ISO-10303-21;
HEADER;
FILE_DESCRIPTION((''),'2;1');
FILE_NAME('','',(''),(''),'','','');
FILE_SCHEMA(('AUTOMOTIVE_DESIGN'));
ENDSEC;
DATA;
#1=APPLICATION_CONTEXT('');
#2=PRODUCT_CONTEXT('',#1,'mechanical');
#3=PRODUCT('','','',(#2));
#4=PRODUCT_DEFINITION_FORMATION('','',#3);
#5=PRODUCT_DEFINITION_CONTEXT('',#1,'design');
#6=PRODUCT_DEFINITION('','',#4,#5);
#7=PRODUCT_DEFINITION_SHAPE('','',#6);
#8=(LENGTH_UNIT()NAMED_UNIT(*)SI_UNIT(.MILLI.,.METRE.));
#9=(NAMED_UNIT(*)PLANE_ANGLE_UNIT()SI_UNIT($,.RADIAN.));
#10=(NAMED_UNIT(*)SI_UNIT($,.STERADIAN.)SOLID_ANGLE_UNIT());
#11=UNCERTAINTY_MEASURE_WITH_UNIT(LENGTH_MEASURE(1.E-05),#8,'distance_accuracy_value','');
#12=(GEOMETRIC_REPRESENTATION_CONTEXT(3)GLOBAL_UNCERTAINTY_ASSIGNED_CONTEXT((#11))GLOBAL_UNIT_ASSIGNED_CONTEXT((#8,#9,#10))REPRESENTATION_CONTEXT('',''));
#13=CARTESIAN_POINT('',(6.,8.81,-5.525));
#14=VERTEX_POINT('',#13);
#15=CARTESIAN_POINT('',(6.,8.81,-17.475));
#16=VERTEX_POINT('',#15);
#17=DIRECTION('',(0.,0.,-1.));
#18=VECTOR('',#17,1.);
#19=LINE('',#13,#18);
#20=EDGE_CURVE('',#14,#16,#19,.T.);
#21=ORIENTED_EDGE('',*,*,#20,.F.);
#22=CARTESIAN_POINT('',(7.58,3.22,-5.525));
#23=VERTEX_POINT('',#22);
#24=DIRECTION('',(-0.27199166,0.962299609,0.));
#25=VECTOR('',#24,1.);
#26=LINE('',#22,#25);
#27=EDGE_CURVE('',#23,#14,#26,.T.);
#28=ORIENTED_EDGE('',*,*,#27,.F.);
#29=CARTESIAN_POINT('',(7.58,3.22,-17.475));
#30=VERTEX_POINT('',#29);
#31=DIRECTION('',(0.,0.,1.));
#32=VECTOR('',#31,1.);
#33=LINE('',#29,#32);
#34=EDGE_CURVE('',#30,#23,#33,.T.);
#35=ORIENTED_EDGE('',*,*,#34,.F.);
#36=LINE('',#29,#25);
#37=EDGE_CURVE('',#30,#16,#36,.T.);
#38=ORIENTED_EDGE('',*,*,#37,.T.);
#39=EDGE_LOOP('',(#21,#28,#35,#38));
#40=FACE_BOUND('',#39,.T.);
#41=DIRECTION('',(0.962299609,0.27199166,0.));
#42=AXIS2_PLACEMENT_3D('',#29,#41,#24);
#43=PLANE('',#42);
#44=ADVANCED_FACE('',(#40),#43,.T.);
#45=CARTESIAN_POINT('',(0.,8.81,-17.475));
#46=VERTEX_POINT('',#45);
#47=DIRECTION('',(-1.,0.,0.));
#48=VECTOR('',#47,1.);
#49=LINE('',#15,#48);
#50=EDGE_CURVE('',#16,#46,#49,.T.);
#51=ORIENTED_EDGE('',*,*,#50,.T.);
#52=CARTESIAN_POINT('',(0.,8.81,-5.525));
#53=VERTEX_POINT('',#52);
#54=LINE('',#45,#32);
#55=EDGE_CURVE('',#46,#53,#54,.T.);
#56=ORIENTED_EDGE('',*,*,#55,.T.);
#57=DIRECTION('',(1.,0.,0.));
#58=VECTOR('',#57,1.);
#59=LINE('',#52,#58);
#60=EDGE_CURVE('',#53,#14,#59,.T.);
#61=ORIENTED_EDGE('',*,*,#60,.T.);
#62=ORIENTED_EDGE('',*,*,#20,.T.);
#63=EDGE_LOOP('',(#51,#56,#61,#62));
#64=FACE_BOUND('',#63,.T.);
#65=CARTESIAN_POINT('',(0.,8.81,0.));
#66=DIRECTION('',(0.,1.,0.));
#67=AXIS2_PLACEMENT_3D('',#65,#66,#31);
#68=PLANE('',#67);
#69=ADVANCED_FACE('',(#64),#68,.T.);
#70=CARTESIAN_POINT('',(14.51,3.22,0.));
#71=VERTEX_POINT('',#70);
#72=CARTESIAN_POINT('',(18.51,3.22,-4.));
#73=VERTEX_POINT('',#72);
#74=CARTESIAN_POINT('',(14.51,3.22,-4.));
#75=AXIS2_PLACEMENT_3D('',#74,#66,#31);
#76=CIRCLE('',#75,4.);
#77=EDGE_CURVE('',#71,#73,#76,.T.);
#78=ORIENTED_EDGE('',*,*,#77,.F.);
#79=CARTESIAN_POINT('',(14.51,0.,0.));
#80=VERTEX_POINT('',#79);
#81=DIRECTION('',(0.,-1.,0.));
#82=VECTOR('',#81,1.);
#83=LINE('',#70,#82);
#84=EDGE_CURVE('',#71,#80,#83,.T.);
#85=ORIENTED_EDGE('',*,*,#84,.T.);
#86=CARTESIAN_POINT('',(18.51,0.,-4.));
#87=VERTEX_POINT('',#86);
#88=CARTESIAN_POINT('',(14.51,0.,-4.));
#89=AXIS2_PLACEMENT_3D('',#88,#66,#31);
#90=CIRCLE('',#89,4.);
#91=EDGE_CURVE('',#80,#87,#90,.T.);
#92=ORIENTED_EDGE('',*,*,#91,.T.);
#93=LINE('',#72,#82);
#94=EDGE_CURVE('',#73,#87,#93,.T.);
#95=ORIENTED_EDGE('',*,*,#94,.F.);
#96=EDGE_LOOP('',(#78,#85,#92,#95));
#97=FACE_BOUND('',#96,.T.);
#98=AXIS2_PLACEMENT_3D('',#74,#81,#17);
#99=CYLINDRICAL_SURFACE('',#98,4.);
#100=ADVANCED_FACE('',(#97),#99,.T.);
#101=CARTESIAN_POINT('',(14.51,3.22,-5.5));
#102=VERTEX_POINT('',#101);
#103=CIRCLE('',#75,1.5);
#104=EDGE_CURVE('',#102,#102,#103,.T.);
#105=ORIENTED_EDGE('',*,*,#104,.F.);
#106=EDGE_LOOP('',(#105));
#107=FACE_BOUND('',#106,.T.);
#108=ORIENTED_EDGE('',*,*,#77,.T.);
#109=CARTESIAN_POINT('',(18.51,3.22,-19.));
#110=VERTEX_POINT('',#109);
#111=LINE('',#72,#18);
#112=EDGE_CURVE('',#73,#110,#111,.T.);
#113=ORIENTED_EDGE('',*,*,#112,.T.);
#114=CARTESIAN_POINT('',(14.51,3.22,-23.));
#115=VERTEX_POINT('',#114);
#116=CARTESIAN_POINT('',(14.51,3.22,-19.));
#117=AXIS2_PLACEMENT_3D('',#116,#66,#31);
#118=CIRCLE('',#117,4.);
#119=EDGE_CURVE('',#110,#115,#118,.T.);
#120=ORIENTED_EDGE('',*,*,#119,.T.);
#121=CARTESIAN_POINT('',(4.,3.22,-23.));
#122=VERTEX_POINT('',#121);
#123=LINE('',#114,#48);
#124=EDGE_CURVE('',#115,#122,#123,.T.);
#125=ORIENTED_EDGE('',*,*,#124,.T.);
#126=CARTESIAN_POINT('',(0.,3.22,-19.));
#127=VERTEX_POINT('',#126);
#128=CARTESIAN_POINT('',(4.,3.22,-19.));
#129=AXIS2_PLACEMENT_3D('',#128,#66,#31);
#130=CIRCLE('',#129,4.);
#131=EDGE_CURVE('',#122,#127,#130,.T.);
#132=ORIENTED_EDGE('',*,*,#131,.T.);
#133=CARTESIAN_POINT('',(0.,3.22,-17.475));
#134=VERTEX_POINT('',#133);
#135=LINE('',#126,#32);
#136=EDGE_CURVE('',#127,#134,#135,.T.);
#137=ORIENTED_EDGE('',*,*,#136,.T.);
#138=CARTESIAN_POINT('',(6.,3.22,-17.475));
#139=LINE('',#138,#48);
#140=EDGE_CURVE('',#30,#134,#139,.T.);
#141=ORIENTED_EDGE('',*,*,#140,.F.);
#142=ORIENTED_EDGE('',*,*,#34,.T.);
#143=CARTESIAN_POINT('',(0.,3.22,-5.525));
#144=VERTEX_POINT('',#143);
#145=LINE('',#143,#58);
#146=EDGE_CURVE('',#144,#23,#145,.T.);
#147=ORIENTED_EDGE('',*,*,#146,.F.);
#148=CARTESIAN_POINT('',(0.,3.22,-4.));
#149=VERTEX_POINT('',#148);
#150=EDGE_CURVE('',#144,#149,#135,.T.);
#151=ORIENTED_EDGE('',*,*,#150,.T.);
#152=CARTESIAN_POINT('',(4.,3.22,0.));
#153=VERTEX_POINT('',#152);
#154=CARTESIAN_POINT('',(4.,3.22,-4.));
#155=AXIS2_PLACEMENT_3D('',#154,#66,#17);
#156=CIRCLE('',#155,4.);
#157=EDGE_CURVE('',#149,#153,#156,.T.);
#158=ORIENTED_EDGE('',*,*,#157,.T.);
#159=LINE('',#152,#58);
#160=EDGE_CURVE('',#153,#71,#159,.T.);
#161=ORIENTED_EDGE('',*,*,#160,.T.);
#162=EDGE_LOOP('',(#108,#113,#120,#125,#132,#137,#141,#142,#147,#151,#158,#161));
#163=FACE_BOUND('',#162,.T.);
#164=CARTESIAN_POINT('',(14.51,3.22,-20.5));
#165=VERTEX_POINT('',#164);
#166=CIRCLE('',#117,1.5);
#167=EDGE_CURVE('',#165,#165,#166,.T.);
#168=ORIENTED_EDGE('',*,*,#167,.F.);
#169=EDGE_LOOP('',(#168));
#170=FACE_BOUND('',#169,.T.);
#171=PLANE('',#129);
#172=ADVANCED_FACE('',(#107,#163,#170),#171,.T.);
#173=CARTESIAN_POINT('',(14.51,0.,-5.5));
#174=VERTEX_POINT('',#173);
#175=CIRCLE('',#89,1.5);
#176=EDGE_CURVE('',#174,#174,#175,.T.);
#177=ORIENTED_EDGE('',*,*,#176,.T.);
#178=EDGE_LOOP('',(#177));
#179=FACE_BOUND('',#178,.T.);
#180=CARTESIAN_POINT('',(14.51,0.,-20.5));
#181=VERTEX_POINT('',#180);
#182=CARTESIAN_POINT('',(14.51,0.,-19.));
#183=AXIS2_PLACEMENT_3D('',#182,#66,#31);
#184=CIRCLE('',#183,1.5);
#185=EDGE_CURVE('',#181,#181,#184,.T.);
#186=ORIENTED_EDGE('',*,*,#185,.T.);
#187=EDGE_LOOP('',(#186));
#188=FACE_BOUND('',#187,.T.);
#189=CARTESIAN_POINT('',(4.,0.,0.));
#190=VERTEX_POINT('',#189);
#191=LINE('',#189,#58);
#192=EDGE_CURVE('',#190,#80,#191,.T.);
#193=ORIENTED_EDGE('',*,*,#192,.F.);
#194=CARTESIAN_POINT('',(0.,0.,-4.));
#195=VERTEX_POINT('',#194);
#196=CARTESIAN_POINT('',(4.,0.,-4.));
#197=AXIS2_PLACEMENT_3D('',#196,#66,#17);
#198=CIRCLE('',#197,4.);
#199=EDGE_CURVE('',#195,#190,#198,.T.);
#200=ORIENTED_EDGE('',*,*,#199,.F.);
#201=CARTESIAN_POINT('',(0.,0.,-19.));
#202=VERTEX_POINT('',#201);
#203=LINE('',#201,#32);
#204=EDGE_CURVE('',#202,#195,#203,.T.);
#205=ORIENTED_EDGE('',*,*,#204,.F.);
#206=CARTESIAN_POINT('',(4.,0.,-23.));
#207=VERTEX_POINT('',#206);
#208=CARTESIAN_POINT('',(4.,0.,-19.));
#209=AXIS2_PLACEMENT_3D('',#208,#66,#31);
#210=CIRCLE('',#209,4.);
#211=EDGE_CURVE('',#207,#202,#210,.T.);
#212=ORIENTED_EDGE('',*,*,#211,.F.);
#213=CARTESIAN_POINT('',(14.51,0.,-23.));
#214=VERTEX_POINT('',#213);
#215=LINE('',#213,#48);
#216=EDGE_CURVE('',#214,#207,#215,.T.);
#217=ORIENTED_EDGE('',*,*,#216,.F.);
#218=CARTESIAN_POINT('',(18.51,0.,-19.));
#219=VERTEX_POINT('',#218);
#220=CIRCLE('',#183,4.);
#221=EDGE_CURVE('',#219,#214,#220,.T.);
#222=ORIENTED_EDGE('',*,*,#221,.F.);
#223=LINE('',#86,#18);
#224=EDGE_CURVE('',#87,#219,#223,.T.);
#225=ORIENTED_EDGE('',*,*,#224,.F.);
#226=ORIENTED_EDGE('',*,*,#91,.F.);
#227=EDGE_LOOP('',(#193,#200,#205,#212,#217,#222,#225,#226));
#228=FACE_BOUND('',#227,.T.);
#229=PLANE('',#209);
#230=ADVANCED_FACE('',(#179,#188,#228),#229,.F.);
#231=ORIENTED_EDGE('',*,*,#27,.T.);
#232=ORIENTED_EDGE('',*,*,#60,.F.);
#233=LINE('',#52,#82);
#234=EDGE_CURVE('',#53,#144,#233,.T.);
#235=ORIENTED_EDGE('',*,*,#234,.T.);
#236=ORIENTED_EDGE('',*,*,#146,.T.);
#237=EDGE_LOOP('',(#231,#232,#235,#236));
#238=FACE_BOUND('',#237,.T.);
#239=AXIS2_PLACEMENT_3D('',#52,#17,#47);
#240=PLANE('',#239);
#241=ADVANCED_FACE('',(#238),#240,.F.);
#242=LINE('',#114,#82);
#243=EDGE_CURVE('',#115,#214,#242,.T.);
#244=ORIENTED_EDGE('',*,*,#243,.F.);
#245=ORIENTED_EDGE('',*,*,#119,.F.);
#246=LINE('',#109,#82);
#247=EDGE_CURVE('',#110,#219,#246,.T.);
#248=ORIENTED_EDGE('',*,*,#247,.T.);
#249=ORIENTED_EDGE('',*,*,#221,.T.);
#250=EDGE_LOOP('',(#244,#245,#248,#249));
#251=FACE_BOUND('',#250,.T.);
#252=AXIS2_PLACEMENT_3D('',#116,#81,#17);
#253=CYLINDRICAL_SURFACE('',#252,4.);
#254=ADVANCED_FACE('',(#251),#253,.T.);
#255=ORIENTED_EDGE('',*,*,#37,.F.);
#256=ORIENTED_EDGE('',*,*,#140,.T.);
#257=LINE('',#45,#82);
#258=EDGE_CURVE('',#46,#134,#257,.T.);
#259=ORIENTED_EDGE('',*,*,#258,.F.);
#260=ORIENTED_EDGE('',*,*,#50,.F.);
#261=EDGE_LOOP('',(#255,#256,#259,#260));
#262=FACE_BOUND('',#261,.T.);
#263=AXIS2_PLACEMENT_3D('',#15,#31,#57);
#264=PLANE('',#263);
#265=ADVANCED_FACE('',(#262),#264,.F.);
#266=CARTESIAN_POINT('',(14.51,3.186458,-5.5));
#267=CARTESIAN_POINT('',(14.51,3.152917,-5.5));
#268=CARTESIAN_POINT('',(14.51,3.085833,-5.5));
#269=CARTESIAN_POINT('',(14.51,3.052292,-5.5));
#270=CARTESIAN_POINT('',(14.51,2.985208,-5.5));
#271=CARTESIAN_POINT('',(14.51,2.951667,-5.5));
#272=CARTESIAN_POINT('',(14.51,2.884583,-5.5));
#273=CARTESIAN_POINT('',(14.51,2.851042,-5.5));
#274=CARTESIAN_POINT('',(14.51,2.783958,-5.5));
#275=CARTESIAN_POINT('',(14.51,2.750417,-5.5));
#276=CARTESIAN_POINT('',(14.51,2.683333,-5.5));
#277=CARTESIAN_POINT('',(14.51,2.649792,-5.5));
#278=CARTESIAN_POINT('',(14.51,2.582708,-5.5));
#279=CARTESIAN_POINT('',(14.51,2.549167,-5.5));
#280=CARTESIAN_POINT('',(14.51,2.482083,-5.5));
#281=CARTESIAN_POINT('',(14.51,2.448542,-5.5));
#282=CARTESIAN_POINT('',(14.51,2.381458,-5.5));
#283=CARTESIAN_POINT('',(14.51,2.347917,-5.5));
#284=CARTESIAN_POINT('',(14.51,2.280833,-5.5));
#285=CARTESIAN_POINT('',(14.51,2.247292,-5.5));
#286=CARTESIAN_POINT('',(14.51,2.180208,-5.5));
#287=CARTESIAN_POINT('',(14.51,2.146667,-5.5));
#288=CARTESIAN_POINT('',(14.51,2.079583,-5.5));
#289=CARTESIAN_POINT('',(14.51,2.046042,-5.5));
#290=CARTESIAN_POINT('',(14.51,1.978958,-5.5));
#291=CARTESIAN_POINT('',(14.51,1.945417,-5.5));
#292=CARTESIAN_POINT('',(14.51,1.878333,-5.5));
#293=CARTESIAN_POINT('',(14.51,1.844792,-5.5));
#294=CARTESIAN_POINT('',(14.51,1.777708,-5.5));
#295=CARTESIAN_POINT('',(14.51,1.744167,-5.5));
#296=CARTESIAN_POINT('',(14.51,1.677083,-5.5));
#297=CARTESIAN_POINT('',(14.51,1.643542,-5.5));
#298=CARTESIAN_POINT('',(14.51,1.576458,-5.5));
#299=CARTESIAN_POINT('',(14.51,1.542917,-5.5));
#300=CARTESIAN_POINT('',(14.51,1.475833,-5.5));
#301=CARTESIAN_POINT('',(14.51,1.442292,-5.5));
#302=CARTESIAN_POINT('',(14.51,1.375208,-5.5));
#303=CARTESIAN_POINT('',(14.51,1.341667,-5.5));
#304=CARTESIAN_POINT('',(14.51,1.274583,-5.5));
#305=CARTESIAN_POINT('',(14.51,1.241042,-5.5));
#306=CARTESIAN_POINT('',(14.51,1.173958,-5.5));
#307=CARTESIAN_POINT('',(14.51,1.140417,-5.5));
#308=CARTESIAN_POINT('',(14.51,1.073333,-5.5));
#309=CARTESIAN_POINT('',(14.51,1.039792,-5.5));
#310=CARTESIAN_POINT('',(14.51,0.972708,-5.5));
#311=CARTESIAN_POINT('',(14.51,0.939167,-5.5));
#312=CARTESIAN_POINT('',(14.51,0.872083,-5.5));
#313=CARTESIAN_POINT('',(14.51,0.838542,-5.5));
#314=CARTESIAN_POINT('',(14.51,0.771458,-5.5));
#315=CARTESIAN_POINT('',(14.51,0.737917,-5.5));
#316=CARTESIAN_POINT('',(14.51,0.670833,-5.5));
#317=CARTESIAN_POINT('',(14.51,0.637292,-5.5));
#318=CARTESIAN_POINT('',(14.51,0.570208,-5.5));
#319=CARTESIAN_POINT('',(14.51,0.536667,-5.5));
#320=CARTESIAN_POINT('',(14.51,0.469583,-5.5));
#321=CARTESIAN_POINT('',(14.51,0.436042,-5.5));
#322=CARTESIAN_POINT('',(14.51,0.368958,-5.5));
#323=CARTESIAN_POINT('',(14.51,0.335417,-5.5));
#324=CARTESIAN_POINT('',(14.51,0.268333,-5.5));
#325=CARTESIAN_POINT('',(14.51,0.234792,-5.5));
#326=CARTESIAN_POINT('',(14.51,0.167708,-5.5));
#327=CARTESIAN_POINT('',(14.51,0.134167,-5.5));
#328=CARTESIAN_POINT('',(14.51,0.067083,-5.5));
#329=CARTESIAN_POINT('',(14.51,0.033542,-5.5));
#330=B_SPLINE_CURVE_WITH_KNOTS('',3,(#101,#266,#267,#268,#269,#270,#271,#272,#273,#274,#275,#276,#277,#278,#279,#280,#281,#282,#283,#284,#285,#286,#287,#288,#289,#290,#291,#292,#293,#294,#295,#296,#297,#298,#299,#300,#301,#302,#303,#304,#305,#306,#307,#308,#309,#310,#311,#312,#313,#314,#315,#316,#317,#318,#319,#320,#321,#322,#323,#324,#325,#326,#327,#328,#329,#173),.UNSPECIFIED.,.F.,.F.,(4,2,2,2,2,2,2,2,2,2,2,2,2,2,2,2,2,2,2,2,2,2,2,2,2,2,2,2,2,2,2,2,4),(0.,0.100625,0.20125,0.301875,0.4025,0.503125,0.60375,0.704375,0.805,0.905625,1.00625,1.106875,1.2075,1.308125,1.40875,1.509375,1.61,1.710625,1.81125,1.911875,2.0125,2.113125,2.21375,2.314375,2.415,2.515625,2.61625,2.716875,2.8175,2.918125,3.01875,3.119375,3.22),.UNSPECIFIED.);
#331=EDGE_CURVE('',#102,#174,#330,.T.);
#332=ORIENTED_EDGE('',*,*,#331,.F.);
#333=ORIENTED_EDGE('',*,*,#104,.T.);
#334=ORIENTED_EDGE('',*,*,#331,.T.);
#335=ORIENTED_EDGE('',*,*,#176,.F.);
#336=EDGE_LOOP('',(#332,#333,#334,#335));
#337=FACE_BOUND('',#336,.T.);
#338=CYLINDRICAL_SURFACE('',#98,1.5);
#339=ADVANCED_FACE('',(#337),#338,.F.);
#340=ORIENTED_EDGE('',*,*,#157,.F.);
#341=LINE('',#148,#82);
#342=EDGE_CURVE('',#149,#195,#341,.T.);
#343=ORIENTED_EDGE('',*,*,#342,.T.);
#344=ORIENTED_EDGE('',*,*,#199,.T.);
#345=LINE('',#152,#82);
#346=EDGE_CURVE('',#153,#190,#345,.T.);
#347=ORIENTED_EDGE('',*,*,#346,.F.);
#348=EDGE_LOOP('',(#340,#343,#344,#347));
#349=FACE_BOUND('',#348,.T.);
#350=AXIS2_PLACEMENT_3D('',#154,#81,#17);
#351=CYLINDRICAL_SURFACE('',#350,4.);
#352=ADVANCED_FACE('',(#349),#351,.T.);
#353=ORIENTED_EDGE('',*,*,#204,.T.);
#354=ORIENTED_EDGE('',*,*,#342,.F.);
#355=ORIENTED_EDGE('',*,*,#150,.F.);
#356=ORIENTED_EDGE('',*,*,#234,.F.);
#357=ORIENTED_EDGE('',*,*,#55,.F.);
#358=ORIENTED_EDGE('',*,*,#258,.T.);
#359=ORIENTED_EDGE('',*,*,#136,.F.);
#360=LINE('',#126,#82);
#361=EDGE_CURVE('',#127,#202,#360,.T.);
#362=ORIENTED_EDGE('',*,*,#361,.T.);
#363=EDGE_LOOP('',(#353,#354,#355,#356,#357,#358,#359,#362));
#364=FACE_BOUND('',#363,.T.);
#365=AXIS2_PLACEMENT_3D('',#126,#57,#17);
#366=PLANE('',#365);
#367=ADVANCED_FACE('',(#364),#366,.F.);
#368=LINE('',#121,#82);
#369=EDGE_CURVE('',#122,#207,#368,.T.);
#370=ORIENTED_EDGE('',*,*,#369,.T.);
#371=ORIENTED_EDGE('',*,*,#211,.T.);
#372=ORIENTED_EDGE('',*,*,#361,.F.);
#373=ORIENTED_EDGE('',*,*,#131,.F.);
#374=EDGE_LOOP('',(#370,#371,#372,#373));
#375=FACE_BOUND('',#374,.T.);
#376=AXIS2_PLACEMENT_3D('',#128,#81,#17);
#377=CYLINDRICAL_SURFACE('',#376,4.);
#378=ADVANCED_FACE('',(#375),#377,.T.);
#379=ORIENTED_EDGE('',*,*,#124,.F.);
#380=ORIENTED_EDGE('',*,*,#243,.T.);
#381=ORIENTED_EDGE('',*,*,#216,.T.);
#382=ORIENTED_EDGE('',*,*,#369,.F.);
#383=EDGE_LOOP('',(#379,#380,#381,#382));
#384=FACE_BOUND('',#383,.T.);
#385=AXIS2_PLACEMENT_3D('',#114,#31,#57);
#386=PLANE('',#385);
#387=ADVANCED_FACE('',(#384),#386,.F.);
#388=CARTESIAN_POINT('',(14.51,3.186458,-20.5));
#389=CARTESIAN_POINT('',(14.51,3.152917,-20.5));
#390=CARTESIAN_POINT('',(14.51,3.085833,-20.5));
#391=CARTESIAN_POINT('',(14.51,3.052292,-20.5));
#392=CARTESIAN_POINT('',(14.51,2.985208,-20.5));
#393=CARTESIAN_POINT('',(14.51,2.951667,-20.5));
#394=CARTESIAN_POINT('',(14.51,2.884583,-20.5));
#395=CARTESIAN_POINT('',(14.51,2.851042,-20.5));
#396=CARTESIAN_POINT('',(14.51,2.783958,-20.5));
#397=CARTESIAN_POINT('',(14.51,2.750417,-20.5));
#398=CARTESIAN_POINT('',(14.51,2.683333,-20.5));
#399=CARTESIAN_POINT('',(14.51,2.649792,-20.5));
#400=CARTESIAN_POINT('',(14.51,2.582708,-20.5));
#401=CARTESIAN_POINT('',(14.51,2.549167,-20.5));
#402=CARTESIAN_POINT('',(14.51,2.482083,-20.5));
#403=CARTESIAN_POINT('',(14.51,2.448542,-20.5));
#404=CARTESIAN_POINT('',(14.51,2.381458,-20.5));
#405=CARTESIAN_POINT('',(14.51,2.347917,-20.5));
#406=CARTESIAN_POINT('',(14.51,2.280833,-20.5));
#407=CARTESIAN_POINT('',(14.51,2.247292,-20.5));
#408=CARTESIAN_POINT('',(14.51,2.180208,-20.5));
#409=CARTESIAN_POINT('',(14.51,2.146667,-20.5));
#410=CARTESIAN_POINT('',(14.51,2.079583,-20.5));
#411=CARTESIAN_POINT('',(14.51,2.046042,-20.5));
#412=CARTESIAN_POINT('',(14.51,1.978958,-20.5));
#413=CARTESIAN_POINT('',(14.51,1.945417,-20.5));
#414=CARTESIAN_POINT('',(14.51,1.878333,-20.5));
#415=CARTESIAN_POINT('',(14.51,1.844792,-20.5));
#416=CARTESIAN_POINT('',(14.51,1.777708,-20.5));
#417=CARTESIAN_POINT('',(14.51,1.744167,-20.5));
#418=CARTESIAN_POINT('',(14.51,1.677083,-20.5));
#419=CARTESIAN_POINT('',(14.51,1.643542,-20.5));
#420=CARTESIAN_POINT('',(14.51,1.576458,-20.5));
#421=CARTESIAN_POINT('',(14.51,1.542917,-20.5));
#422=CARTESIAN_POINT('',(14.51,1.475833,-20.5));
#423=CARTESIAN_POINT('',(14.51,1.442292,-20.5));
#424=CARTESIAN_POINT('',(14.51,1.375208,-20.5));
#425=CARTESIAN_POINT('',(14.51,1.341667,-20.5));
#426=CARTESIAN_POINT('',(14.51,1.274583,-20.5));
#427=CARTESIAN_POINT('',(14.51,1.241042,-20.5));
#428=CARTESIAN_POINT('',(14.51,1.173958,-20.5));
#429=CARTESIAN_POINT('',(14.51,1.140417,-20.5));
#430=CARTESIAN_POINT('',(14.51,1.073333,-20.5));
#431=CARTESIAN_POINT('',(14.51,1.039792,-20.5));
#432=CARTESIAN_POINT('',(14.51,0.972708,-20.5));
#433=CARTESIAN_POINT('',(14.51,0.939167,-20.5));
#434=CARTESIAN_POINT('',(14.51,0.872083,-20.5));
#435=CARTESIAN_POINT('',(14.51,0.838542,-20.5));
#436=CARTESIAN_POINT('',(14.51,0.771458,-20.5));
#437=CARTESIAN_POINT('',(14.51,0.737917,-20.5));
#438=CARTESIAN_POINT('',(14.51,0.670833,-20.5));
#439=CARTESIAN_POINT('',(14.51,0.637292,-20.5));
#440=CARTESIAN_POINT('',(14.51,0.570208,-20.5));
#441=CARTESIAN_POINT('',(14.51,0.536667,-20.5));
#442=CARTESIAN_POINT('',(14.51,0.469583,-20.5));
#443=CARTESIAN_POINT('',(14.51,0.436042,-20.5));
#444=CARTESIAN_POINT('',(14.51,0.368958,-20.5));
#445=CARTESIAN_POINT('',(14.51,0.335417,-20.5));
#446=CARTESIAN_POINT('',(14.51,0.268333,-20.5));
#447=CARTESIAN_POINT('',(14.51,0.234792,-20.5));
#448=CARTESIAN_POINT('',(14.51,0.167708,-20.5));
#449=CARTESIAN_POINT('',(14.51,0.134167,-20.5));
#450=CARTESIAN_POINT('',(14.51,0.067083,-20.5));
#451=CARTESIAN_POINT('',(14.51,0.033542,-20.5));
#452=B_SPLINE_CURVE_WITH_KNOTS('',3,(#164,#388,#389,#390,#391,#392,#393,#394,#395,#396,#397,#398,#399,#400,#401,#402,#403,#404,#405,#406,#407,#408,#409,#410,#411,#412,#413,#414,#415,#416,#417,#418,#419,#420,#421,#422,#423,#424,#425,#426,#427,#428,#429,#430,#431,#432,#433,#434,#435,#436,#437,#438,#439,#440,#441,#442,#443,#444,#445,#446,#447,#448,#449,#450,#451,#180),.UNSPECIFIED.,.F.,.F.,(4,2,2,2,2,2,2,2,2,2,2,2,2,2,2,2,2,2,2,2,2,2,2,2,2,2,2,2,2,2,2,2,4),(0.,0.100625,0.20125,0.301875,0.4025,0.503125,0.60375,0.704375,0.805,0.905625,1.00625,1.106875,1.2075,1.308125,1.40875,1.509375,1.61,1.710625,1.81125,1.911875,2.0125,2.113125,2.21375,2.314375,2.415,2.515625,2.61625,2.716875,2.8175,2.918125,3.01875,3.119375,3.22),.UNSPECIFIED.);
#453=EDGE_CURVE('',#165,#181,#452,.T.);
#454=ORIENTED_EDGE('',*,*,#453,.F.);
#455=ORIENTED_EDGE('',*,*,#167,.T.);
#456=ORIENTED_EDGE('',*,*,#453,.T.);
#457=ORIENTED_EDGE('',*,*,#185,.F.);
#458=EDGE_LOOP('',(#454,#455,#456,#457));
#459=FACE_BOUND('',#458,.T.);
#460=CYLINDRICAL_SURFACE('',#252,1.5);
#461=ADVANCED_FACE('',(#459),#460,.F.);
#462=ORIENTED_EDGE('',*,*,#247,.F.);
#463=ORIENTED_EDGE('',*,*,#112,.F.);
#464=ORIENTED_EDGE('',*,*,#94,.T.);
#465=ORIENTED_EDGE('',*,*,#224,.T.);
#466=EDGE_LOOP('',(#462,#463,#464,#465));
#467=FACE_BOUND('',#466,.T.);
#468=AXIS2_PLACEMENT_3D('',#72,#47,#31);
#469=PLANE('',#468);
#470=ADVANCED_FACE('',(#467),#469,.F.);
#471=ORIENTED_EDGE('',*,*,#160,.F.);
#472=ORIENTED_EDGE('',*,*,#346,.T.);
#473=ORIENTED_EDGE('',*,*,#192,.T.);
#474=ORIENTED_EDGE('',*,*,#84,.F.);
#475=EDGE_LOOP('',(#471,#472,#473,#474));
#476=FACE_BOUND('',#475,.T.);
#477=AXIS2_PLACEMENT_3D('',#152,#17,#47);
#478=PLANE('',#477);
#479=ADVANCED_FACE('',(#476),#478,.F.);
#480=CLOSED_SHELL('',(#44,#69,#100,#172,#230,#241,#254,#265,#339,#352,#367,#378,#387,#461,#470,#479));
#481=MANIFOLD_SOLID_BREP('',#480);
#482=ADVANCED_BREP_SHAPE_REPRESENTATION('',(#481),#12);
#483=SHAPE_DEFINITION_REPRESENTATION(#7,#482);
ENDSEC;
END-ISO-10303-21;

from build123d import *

# Parameters (mm, degrees)
SKETCH1_R           = 1.5
BOSS_EXTRUDE1_DEPTH = 3.22
SKETCH3_W           = 6
SKETCH3_H           = 11.95
BOSS_EXTRUDE2_DEPTH = 5.59
BOSS_EXTRUDE3_DEPTH = 11.95


with BuildPart() as part:
    # Sketch1 → Boss-Extrude1 (new body)
    with BuildSketch(Plane(origin=(0, 0, 0), x_dir=(1, 0, 0), z_dir=(0, 1, 0))):
        with BuildLine():
            Line((4, 0), (14.51, 0))
            ThreePointArc((14.51, 0), (17.338427125, 1.171572875), (18.51, 4))
            Line((18.51, 4), (18.51, 19))
            ThreePointArc((18.51, 19), (17.338427125, 21.828427125), (14.51, 23))
            Line((14.51, 23), (4, 23))
            ThreePointArc((4, 23), (1.171572875, 21.828427125), (0, 19))
            Line((0, 19), (0, 4))
            ThreePointArc((0, 4), (1.171572875, 1.171572875), (4, 0))
        make_face()
        with Locations(Location((14.51, 19, 0), (0, 0, 90))):
            Circle(SKETCH1_R, mode=Mode.SUBTRACT)
        with Locations(Location((14.51, 4, 0), (0, 0, 90))):
            Circle(SKETCH1_R, mode=Mode.SUBTRACT)
    extrude(amount=BOSS_EXTRUDE1_DEPTH)

    # Sketch3 → Boss-Extrude2 (add)
    with BuildSketch(Plane(origin=(0, 3.22, 0), x_dir=(1, 0, 0), z_dir=(0, 1, 0))):
        with Locations((3, 11.5)):
            Rectangle(SKETCH3_W, SKETCH3_H)
    extrude(amount=BOSS_EXTRUDE2_DEPTH)

    # Sketch4 → Boss-Extrude3 (add)
    with BuildSketch(Plane.XY.offset(-5.525)):
        Polygon((0, 3.22), (7.58, 3.22), (6, 8.81), (0, 8.81), align=None)
    extrude(amount=-BOSS_EXTRUDE3_DEPTH)


solid = part.part
